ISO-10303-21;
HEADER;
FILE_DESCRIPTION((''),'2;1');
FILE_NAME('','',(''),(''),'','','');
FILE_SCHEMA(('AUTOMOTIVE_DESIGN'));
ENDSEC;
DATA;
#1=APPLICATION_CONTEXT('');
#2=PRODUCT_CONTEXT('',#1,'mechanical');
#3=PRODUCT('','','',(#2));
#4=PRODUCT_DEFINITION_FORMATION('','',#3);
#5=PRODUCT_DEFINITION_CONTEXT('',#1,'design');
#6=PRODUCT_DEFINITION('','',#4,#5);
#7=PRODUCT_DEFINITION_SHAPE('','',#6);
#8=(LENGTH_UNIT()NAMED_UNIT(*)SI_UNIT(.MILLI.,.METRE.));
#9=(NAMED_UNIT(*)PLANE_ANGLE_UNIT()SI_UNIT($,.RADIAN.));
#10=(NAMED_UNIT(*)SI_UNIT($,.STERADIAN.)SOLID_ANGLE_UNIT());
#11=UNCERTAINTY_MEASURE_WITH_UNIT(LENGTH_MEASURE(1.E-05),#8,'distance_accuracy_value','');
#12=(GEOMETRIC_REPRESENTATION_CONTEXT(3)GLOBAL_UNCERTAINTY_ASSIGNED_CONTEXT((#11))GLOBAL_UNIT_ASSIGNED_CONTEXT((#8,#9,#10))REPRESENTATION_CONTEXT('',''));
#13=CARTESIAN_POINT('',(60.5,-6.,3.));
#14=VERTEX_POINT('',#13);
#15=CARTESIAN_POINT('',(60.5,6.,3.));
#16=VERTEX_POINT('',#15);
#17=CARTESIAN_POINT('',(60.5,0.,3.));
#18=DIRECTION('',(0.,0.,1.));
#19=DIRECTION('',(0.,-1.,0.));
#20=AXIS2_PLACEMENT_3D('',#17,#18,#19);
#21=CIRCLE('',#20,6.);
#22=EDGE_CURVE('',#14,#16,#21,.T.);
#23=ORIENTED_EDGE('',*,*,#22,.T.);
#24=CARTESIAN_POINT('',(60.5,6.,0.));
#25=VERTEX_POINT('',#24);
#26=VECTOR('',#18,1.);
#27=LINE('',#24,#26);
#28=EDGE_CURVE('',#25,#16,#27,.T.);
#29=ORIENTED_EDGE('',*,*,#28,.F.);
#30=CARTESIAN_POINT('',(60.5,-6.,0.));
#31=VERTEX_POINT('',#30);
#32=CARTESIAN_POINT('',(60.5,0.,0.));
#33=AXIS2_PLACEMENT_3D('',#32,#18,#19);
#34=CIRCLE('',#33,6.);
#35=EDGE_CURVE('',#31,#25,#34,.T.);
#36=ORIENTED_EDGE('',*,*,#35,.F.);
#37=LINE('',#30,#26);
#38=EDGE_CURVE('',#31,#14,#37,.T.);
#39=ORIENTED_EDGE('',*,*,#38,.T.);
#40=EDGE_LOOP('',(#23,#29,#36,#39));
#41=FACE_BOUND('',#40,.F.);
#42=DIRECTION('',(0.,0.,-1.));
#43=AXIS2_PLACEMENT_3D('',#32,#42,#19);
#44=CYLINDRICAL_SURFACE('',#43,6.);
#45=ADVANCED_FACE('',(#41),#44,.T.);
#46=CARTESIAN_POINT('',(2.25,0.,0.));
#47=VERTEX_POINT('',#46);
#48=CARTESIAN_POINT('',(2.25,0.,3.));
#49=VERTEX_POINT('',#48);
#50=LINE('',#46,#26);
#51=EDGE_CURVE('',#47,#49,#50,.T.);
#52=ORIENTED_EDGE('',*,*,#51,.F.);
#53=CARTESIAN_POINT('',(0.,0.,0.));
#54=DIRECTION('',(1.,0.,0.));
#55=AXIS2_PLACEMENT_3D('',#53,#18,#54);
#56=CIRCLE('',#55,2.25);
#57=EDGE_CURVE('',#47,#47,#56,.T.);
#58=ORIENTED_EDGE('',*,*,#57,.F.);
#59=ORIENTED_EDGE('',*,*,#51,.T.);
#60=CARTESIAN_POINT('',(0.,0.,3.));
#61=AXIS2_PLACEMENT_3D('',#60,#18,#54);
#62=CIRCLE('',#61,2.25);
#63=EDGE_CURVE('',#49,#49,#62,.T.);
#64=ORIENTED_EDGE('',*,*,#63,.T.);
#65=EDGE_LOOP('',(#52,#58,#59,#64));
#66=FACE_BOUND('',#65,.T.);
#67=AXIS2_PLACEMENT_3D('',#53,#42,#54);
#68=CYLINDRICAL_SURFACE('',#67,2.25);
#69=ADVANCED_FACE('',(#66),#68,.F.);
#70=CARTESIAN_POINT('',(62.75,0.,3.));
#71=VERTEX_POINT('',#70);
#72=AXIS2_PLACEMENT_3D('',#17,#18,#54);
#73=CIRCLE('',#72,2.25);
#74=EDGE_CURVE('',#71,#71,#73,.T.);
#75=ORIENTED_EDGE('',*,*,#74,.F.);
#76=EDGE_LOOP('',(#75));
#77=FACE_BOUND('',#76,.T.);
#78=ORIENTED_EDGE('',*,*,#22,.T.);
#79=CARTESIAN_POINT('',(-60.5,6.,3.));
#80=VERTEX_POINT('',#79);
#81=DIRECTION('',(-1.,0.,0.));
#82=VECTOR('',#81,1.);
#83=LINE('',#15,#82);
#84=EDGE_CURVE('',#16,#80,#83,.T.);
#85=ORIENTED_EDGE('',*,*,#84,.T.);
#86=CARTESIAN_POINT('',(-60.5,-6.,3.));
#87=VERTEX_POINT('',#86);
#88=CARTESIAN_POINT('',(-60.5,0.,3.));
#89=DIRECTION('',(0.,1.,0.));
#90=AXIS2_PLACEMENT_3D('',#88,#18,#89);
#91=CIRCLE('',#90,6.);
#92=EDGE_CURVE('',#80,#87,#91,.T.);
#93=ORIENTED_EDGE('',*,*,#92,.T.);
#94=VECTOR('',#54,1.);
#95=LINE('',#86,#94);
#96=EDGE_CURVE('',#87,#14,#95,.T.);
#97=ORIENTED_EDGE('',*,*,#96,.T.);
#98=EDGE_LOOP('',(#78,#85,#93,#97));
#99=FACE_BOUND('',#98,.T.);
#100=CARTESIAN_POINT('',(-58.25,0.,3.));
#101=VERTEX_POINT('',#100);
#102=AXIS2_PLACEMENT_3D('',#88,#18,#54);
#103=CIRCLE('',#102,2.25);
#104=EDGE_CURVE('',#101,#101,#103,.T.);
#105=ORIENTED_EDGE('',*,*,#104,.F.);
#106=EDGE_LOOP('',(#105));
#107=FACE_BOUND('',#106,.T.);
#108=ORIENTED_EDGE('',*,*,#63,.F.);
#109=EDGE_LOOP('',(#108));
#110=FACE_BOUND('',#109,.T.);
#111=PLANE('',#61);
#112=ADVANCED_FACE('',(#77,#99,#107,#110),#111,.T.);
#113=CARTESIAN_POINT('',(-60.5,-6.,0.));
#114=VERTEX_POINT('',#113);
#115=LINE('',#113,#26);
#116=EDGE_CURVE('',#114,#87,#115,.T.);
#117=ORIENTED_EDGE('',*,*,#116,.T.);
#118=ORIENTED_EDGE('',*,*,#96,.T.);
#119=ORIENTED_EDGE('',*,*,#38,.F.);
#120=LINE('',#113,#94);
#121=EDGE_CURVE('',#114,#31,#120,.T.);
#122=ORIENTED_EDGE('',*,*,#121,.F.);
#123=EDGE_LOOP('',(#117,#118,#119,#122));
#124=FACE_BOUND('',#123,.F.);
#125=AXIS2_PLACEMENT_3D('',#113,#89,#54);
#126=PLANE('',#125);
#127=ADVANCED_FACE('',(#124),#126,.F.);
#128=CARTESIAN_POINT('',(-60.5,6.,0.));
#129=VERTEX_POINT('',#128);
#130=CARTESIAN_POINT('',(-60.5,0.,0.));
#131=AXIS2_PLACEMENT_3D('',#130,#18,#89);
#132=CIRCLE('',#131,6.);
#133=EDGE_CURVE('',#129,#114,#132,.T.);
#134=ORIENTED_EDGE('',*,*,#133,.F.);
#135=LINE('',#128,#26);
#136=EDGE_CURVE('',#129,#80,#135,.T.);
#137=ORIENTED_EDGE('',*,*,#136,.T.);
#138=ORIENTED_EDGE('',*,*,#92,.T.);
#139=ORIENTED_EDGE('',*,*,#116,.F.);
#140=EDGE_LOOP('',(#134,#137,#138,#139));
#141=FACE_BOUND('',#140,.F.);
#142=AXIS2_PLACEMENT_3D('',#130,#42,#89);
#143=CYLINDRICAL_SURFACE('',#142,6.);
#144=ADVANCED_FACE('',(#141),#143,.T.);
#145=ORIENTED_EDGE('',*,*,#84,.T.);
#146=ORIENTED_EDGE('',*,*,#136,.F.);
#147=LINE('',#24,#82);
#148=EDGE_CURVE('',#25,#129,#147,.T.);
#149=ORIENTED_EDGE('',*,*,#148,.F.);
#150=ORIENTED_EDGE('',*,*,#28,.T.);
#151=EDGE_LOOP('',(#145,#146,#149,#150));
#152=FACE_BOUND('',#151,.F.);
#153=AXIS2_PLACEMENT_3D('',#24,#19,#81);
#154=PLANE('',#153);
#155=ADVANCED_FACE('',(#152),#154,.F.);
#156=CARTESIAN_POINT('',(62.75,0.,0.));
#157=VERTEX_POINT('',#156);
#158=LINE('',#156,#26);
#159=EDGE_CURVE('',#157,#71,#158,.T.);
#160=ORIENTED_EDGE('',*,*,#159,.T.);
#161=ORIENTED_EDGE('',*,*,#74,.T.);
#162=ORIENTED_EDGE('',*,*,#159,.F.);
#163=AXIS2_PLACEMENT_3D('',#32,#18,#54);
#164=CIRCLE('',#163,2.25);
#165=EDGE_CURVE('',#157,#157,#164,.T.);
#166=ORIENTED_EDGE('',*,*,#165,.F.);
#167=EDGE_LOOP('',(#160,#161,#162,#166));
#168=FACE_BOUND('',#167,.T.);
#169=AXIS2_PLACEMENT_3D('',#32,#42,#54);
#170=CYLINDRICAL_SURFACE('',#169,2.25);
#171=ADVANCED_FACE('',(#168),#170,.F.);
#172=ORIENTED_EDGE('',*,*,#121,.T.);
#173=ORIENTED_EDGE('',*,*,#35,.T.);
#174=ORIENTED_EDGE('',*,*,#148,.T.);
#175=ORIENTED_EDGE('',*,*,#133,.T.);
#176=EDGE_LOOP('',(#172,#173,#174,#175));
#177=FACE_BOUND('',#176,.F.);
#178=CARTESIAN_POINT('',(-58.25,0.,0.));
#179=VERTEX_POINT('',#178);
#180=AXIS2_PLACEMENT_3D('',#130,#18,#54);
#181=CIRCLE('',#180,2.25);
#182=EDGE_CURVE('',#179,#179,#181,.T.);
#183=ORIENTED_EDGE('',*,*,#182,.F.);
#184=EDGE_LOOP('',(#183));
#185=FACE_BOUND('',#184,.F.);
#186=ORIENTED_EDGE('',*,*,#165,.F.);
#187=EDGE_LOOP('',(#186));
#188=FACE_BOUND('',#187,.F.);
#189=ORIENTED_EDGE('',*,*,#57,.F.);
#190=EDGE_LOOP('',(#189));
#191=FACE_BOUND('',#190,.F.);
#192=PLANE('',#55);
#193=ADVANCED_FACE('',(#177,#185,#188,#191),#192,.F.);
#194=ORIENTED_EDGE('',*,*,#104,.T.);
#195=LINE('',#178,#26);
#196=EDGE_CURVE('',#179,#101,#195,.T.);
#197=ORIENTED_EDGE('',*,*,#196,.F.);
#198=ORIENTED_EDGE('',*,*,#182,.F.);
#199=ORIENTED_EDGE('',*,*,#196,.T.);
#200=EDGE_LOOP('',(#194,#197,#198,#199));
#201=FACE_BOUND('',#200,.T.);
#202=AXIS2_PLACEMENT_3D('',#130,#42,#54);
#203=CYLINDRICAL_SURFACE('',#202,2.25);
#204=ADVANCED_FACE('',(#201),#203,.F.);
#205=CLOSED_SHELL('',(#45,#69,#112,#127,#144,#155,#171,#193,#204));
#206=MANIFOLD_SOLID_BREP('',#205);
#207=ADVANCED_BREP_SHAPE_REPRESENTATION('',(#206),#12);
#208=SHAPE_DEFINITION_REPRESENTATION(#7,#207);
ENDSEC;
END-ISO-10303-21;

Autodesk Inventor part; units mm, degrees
ref_plane "YZ Plane" through (0, 0, 0) normal (1, 0, 0) x (0, 1, 0)
ref_plane "XZ Plane" through (0, 0, 0) normal (0, 1, 0) x (-1, 0, 0)
ref_plane "XY Plane" through (0, 0, 0) normal (0, 0, 1) x (1, 0, 0)
sketch "草圖1" plane through (0, 0, 0) normal (0, 0, 1) x (1, 0, 0)
  line L0 (-60.5, 0) -> (60.5, 0) construction
  line L1 (-60.5, -6) -> (60.5, -6)
  line L2 (60.5, 6) -> (-60.5, 6)
  arc A0 (-60.5, 6) -> (-60.5, -6) centre (-60.5, 0) ccw
  arc A1 (60.5, -6) -> (60.5, 6) centre (60.5, 0) ccw
  circle A2 centre (-60.5, 0) radius 2.25
  circle A3 centre (0, 0) radius 2.25
  circle A4 centre (60.5, 0) radius 2.25
  dimension "d0" = 121
  dimension "d1" = 12
  dimension "d2" = 4.5
extrude "擠出1" add sketch "草圖1" along normal blind 3
sketch "草圖2" plane through (0, 0, 3) normal (0, 0, 1) x (1, 0, 0)
  arc A0 (60.5, -6) -> (60.5, 6) centre (60.5, 0) ccw projected
  line L0 (60.5, 6) -> (-60.5, 6) projected
  arc A1 (-60.5, 6) -> (-60.5, -6) centre (-60.5, 0) ccw projected
  line L1 (-60.5, -6) -> (60.5, -6) projected
  circle A2 centre (0, 0) radius 2.25 projected
  circle A3 centre (60.5, 0) radius 2.25 projected
  circle A4 centre (-60.5, 0) radius 2.25 projected
properties part number "連桿"
